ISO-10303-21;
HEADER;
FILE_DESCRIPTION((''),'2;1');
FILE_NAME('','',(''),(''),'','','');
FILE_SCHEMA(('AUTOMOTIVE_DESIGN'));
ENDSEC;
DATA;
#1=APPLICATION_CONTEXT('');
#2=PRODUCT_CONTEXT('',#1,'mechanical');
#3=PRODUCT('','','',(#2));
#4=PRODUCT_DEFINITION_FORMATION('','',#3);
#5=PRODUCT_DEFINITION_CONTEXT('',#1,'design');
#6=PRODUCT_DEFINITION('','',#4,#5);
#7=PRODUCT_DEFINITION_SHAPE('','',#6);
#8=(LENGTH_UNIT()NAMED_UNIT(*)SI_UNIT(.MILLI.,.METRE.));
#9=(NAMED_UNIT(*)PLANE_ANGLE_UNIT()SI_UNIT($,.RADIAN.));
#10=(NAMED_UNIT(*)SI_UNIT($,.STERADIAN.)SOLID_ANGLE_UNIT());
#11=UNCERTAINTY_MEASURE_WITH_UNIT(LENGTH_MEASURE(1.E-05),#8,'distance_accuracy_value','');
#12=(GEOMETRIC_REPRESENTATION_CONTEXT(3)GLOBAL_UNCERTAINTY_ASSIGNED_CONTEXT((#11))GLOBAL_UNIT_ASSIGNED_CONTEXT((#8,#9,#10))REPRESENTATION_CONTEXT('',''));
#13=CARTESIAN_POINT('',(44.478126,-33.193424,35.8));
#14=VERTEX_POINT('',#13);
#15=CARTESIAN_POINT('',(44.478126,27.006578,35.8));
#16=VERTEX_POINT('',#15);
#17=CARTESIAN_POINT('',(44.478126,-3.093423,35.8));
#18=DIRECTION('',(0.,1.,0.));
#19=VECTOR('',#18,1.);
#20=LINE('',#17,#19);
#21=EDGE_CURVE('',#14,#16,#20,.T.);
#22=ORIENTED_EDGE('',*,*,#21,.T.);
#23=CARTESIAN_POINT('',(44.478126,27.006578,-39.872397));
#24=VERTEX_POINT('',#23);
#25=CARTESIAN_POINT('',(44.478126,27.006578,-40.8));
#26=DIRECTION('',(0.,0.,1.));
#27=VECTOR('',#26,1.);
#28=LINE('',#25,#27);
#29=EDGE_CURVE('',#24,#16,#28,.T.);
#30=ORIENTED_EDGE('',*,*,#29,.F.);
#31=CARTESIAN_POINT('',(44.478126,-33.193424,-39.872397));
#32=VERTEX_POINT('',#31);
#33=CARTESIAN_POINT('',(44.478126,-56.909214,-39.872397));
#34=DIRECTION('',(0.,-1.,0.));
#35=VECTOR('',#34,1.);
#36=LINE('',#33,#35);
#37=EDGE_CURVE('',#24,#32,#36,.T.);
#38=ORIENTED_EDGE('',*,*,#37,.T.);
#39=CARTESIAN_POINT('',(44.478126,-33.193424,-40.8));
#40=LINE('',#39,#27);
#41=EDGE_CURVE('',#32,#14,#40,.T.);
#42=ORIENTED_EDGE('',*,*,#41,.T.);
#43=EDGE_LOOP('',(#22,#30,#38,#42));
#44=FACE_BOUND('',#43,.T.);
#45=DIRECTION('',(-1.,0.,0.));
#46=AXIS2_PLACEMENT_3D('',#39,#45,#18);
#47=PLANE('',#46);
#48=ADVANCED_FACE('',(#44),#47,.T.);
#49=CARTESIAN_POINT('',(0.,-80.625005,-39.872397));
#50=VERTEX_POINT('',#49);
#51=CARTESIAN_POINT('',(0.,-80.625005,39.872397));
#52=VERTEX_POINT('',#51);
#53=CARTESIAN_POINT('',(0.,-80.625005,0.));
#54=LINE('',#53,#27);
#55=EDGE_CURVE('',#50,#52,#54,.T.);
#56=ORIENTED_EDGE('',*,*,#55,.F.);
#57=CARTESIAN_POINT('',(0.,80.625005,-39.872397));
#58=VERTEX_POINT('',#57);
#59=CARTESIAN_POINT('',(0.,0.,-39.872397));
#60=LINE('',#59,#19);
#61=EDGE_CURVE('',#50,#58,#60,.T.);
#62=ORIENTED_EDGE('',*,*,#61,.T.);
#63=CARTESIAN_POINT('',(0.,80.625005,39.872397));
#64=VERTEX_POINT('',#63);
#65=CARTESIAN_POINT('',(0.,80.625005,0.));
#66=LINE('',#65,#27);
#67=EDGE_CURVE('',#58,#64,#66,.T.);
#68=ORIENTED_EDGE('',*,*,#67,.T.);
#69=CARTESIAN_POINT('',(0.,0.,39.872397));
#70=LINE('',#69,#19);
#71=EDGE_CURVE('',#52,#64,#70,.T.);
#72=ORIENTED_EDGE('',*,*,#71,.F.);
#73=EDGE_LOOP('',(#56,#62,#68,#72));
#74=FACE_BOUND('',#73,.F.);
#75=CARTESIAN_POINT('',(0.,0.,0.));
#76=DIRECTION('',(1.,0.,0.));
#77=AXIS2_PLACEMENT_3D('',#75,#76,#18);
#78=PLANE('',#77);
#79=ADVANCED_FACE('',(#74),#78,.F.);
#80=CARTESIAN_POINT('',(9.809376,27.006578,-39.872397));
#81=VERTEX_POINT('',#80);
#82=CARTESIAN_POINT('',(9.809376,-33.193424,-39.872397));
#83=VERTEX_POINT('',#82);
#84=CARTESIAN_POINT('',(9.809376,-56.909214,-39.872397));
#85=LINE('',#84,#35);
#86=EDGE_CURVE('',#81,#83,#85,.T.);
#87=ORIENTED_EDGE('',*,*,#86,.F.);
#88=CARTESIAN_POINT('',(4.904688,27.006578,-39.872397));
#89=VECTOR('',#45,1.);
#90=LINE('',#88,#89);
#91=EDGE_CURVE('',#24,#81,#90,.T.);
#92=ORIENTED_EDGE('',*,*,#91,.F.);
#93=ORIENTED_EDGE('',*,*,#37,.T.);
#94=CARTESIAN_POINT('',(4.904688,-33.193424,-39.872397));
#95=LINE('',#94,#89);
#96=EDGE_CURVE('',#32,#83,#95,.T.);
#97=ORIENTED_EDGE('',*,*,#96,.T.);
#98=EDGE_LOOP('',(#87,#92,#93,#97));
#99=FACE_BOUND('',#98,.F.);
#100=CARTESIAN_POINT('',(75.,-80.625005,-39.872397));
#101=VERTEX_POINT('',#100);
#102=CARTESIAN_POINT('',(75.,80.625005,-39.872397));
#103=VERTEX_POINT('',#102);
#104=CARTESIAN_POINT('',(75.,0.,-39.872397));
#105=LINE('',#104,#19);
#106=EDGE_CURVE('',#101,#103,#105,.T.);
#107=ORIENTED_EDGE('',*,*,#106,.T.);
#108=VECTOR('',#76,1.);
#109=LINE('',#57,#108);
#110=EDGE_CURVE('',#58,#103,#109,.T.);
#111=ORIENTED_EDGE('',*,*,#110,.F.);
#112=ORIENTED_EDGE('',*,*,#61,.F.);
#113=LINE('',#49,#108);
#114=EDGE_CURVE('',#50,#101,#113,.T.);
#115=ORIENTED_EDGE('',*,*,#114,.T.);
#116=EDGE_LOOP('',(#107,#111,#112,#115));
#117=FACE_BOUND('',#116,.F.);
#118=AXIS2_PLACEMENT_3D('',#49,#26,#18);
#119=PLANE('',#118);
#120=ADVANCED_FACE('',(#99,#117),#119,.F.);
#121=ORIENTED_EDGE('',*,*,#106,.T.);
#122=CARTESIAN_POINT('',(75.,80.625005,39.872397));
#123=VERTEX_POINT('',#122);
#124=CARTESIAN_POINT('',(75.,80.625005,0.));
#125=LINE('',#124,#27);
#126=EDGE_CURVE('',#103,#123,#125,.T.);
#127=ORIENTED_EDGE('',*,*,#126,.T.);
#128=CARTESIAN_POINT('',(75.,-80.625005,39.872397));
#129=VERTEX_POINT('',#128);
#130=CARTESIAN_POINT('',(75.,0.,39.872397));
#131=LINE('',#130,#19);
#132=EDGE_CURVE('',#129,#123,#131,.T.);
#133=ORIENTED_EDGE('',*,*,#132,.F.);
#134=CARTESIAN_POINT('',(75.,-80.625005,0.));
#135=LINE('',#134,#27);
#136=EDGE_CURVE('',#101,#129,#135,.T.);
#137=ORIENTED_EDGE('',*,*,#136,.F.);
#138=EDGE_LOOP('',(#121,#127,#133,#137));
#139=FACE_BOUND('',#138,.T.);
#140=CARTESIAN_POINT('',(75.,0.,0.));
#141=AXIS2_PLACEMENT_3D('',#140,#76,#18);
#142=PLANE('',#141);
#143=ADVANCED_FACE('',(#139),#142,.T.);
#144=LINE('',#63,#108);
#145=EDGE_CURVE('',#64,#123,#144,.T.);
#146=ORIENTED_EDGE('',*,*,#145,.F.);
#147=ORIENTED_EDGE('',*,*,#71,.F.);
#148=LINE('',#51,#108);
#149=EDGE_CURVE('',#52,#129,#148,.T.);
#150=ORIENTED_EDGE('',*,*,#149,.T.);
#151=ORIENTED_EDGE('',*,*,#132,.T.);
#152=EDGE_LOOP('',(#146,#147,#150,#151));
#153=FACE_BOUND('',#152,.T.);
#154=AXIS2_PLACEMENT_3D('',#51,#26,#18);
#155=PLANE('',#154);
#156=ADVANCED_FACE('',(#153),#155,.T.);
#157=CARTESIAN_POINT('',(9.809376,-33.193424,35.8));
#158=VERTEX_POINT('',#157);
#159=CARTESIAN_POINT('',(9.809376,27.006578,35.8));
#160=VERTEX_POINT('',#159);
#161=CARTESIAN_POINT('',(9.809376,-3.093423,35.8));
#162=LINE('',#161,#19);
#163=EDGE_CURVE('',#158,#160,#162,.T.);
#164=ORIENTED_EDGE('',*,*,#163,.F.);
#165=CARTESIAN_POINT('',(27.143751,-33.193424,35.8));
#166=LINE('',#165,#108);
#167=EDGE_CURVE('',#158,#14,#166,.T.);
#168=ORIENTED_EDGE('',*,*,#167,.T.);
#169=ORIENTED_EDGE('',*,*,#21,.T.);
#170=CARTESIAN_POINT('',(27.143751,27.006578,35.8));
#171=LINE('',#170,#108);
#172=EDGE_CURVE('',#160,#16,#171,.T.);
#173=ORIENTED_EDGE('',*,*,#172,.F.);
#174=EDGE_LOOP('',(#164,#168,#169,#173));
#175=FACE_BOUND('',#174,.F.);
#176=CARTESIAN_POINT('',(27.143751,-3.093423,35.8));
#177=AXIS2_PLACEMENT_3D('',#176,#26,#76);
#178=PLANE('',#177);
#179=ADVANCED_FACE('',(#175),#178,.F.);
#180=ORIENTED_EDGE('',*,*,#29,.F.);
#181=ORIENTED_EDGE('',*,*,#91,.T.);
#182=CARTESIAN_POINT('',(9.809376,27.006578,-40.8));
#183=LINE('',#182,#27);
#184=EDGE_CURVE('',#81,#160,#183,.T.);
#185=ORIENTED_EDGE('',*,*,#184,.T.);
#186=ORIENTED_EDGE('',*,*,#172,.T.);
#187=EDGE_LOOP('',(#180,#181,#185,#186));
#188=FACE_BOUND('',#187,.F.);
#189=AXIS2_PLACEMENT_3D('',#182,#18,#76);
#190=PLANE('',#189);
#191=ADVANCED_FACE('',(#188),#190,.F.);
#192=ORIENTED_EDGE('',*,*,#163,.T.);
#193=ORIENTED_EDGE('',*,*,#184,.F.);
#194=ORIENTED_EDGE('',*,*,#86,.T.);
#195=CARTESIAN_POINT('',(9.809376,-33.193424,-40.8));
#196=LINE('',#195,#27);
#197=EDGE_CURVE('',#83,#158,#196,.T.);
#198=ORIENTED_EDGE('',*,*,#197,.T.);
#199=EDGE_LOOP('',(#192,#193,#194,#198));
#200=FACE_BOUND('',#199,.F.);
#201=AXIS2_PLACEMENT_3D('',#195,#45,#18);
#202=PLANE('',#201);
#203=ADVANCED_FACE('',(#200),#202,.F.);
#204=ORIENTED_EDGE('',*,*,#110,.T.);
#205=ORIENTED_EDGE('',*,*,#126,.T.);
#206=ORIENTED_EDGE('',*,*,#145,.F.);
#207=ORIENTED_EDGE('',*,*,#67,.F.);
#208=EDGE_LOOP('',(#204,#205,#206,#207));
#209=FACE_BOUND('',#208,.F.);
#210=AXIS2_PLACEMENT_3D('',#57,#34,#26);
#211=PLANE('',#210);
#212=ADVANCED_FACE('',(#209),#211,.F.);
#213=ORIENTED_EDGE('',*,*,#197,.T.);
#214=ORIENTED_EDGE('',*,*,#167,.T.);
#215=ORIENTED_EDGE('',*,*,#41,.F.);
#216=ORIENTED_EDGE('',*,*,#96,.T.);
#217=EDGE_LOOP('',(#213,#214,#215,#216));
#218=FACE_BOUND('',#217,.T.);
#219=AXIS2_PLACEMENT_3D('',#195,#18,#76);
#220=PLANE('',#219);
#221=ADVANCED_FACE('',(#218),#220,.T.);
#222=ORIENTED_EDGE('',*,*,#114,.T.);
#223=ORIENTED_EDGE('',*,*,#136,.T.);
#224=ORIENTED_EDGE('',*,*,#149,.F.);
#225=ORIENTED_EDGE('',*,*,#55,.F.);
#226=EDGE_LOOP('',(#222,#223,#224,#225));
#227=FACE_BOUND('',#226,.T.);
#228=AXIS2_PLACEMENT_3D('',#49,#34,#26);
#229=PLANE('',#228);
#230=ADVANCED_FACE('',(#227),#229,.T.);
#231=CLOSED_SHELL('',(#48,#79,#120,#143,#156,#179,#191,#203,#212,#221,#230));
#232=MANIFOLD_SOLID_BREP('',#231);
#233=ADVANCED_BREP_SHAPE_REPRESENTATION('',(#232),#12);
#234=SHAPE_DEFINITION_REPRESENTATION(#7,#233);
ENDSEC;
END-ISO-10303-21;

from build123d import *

# Parameters (mm, degrees)
F0_W     = 161.25001
F0_H     = 79.744794
F1_DEPTH = 75
F3_W     = 34.66875
F3_H     = 60.200002
F4_DEPTH = 76.6


with BuildPart() as f1:
    # F0 (on Right) → F1 (new body)
    with BuildSketch(Plane.YZ):
        Rectangle(F0_W, F0_H)
    extrude(amount=F1_DEPTH)

    # F3 (on offset) → F4 (cut)
    with BuildSketch(Plane.XY.offset(-40.8)):
        with Locations((27.143751, -3.093423)):
            Rectangle(F3_W, F3_H)
    extrude(amount=F4_DEPTH, mode=Mode.SUBTRACT)


solid = f1.part
